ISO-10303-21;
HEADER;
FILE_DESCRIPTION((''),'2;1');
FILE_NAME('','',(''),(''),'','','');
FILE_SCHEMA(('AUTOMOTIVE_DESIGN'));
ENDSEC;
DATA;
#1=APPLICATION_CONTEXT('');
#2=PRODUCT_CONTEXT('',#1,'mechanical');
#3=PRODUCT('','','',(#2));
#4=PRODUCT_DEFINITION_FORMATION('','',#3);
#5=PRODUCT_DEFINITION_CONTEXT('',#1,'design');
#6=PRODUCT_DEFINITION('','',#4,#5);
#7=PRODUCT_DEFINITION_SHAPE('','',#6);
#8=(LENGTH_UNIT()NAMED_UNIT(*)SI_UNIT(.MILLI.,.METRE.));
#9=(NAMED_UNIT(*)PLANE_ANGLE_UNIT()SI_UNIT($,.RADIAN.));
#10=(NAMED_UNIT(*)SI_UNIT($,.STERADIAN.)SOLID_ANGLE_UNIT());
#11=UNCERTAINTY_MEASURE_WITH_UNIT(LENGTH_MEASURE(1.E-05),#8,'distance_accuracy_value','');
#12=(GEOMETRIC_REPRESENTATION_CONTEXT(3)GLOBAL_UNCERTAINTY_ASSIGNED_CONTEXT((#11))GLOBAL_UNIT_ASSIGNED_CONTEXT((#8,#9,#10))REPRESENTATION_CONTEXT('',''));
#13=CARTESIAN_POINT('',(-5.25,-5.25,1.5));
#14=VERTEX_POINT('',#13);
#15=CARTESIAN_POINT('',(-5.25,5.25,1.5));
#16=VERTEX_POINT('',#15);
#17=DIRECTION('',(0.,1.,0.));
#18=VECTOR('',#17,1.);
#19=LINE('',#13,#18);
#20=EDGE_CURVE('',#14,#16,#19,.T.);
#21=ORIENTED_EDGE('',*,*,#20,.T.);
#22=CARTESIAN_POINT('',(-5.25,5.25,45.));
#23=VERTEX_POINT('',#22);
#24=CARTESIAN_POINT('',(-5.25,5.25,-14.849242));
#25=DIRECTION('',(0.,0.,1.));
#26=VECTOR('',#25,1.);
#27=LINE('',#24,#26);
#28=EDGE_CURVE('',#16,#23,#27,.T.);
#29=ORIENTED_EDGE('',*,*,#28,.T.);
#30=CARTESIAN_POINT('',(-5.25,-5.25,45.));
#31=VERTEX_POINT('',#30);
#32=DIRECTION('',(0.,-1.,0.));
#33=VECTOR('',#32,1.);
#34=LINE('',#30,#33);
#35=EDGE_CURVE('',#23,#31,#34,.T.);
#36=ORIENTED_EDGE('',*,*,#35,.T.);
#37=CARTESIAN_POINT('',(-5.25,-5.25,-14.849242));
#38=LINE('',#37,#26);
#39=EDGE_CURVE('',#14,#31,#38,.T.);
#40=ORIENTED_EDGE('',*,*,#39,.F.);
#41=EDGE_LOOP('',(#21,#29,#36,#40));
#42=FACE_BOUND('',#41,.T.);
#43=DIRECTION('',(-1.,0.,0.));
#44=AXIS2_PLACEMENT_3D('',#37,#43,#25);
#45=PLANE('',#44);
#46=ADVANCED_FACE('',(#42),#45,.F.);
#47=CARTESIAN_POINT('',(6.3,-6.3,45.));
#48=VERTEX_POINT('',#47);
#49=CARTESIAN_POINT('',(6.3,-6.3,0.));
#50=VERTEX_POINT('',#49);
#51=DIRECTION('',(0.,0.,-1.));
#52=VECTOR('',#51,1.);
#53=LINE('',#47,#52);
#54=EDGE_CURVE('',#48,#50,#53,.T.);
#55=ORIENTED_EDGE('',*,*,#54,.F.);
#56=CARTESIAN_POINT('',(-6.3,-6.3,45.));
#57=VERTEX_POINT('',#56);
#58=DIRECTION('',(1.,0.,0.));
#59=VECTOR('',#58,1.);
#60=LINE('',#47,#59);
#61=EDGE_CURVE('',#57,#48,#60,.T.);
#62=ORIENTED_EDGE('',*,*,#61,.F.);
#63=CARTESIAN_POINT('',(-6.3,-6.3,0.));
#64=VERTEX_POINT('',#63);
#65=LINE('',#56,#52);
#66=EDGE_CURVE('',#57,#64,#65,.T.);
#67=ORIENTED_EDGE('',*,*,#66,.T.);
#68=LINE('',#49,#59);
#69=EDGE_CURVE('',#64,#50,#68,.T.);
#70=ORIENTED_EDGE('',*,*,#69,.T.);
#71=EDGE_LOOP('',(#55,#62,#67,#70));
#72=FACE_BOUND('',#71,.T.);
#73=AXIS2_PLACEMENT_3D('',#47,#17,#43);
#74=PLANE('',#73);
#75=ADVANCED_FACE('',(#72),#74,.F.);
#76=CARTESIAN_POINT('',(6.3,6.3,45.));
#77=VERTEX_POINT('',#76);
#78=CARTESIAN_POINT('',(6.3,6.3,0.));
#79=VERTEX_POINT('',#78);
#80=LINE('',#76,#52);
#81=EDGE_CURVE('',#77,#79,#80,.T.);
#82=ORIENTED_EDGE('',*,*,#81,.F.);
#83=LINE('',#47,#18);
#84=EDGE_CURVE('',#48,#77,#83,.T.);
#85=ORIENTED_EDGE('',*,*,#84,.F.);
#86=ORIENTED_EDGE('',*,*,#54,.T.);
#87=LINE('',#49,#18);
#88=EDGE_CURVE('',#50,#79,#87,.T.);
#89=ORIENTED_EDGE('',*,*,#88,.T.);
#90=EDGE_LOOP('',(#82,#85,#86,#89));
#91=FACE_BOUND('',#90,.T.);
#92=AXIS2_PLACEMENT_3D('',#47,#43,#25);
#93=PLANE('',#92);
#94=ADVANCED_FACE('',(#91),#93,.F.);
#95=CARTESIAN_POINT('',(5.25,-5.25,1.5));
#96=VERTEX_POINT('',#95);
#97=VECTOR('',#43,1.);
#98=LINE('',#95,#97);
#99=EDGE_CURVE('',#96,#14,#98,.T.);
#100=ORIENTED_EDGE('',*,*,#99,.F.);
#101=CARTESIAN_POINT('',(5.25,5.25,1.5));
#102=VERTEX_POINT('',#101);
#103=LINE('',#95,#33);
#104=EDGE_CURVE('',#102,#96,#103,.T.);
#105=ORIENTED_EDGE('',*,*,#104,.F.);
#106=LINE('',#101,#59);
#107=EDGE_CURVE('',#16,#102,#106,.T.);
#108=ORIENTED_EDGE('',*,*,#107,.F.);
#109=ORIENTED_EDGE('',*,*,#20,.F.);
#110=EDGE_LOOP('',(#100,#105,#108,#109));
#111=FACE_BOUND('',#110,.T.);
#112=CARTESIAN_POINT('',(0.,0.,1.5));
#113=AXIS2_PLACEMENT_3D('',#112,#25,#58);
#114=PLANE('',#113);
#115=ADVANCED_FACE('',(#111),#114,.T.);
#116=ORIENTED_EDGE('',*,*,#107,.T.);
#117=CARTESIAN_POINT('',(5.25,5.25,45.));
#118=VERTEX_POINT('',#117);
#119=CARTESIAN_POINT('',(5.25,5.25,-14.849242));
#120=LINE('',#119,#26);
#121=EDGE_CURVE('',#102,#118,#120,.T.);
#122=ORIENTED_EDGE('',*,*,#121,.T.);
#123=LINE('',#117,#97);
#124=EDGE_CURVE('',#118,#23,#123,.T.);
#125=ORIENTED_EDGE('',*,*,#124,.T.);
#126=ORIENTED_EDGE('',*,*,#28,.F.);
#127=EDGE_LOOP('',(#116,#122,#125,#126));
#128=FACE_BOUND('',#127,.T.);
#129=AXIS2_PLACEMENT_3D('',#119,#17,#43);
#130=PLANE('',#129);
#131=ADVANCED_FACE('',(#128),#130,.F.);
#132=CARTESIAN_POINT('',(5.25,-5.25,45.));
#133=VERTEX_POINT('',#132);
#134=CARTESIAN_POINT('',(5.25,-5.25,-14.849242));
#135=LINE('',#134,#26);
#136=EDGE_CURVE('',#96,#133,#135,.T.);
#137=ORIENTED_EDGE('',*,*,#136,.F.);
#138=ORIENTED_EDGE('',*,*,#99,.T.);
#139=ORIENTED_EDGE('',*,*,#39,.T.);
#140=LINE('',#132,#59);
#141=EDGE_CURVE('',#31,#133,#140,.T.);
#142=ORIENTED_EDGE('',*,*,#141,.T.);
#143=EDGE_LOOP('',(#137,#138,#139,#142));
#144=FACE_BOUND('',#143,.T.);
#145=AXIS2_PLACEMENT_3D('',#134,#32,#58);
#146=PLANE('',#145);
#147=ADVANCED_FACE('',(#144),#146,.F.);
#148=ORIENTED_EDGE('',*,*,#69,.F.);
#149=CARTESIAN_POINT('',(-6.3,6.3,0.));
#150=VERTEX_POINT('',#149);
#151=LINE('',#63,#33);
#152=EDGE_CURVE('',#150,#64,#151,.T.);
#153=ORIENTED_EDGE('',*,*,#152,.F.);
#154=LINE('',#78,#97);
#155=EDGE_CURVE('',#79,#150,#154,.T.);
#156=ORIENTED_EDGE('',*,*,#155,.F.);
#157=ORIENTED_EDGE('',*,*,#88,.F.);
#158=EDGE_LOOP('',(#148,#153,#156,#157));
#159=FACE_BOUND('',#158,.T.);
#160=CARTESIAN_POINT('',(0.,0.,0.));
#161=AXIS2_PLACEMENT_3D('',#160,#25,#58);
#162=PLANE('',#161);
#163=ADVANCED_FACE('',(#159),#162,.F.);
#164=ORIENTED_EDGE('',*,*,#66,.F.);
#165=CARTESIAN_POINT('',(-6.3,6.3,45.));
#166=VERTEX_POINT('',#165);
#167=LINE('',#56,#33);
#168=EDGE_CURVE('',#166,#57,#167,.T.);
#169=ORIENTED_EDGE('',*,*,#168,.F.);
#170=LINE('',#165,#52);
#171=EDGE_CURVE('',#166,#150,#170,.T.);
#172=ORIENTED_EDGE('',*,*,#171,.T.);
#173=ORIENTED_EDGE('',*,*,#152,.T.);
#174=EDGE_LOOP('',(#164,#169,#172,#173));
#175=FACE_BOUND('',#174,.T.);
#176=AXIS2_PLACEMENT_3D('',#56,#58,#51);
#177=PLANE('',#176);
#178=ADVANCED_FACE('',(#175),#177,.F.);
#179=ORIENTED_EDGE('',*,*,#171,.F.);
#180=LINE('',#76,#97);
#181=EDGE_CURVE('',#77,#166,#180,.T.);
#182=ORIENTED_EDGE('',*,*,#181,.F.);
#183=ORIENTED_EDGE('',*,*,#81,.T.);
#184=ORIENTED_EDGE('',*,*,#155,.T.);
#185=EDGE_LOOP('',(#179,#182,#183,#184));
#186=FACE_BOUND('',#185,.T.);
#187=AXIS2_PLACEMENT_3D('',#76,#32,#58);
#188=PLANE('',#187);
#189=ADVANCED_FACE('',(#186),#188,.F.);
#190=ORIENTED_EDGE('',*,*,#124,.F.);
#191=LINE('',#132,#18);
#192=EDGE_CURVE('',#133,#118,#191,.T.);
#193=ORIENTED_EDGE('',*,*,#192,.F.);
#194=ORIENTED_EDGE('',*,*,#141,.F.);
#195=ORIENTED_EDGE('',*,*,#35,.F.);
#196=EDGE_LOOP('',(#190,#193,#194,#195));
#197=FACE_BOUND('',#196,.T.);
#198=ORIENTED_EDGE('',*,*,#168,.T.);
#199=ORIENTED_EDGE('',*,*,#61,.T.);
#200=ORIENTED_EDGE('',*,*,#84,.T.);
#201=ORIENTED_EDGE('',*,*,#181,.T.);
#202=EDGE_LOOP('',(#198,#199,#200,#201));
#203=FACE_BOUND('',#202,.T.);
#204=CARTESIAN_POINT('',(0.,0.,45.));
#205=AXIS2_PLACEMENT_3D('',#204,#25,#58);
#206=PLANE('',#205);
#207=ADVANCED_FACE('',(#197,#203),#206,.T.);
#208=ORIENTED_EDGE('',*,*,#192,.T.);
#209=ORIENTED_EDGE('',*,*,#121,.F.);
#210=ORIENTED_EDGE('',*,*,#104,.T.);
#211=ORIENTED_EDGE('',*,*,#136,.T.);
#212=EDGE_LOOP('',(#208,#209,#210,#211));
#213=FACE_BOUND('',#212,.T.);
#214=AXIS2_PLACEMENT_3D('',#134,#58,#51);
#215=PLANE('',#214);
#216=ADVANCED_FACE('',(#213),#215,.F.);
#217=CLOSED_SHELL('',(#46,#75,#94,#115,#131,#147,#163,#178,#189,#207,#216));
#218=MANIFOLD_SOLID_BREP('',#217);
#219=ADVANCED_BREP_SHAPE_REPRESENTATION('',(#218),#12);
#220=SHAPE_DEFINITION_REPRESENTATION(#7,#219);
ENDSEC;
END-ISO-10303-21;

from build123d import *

# Parameters (mm, degrees)
SKIZZE1_W                       = 12.6
SKIZZE1_H                       = 12.6
AUFSATZ_LINEAR_AUSTRAGEN1_DEPTH = 45
SKIZZE2_W                       = 10.5
SKIZZE2_H                       = 10.5
SCHNITT_LINEAR_AUSTRAGEN1_DEPTH = 43.5


with BuildPart() as part:
    # Skizze1 → Aufsatz-Linear austragen1 (new body)
    with BuildSketch(Plane.XY):
        Rectangle(SKIZZE1_W, SKIZZE1_H)
    extrude(amount=AUFSATZ_LINEAR_AUSTRAGEN1_DEPTH)

    # Skizze2 → Schnitt-Linear austragen1 (cut)
    with BuildSketch(Plane.XY.offset(45)):
        Rectangle(SKIZZE2_W, SKIZZE2_H)
    extrude(amount=-SCHNITT_LINEAR_AUSTRAGEN1_DEPTH, mode=Mode.SUBTRACT)


solid = part.part
